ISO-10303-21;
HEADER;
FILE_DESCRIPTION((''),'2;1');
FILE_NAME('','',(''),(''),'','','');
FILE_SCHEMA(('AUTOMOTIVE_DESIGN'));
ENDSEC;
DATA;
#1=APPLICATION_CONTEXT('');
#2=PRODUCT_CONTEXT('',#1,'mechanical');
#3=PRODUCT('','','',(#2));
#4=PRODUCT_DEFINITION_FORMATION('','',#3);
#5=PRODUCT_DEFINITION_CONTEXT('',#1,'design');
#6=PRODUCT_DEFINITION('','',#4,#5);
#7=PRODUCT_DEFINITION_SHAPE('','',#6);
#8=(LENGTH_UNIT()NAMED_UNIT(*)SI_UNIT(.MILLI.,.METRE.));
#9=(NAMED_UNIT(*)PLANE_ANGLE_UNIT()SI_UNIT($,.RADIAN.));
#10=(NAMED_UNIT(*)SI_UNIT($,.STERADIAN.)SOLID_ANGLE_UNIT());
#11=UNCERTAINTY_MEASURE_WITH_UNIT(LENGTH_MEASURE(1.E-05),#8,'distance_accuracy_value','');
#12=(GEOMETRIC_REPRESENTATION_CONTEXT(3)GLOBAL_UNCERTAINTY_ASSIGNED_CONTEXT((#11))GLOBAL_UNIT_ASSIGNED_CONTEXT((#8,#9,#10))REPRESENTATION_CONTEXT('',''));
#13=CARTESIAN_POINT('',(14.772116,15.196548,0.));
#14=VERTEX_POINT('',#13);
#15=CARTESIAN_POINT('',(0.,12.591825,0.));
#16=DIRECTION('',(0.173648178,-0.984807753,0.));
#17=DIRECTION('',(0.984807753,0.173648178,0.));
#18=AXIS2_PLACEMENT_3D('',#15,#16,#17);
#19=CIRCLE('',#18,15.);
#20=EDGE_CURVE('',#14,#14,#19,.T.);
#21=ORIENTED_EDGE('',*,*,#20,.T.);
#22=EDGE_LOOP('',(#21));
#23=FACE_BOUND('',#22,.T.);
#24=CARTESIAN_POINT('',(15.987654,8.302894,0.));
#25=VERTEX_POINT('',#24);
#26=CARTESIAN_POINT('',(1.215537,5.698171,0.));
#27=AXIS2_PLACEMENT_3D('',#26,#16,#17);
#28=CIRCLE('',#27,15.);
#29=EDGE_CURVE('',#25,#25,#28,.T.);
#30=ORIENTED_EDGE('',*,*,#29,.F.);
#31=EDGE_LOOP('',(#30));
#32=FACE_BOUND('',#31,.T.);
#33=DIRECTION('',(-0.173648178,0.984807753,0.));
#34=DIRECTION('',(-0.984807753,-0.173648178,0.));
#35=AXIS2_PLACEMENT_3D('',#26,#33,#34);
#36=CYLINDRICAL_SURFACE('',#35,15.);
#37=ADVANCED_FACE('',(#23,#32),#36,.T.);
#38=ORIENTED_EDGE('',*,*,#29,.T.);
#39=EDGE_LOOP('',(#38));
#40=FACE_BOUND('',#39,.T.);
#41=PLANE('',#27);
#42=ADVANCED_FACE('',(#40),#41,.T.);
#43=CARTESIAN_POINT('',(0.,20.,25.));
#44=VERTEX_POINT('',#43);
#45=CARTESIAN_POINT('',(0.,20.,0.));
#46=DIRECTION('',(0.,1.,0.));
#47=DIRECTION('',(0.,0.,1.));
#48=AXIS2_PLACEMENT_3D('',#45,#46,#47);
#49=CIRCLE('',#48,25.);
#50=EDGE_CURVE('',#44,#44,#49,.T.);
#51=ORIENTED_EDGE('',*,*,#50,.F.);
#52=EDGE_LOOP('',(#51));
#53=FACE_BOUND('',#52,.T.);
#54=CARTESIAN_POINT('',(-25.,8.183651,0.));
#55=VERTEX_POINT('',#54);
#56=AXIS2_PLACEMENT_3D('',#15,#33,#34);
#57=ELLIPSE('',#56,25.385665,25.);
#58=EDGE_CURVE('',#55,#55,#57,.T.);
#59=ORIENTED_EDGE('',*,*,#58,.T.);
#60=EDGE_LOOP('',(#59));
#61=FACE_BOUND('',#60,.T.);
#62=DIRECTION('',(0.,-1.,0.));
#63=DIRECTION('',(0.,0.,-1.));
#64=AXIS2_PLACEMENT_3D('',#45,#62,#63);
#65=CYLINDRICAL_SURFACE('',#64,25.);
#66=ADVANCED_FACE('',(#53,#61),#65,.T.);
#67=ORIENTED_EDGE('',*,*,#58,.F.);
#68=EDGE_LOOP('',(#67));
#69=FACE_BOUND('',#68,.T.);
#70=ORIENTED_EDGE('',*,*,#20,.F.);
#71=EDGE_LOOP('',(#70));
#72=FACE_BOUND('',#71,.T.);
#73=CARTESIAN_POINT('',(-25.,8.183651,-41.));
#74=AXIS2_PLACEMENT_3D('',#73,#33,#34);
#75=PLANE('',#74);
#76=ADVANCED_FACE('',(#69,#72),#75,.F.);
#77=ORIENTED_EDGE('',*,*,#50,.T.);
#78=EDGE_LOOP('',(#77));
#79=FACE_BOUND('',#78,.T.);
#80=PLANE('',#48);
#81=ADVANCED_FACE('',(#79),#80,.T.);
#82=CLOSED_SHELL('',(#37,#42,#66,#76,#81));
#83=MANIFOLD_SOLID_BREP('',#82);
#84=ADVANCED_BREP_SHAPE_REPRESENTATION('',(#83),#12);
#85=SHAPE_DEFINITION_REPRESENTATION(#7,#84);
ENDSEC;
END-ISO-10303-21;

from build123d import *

# Parameters (mm, degrees)
SKETCH_5_R          = 25
EXTRUDE_4_DEPTH     = 20
CUT_EXTRUDE_2_DEPTH = 41
SKETCH_8_R          = 15
EXTRUDE_5_DEPTH     = 7


with BuildPart() as part:
    # 草图5 → 凸台-拉伸4 (new body)
    with BuildSketch(Plane(origin=(0, 0, 0), x_dir=(1, 0, 0), z_dir=(0, 1, 0))):
        Circle(SKETCH_5_R)
    extrude(amount=EXTRUDE_4_DEPTH)

    # 草图7 → 切除-拉伸2 (cut, symmetric)
    with BuildSketch(Plane.XY):
        Polygon((-25, 8.183650965), (25, 17), (25, -9.727272727), (-25, -9.727272727), align=None)
    extrude(amount=CUT_EXTRUDE_2_DEPTH, both=True, mode=Mode.SUBTRACT)

    # 草图8 → 凸台-拉伸5 (add)
    with BuildSketch(Plane(origin=(-2.153328978, 12.212135485, 0), x_dir=(0.984807753, 0.173648178, 0), z_dir=(0.173648178, -0.984807753, 0))):
        with Locations((2.186547548, 0)):
            Circle(SKETCH_8_R)
    extrude(amount=EXTRUDE_5_DEPTH)


solid = part.part
